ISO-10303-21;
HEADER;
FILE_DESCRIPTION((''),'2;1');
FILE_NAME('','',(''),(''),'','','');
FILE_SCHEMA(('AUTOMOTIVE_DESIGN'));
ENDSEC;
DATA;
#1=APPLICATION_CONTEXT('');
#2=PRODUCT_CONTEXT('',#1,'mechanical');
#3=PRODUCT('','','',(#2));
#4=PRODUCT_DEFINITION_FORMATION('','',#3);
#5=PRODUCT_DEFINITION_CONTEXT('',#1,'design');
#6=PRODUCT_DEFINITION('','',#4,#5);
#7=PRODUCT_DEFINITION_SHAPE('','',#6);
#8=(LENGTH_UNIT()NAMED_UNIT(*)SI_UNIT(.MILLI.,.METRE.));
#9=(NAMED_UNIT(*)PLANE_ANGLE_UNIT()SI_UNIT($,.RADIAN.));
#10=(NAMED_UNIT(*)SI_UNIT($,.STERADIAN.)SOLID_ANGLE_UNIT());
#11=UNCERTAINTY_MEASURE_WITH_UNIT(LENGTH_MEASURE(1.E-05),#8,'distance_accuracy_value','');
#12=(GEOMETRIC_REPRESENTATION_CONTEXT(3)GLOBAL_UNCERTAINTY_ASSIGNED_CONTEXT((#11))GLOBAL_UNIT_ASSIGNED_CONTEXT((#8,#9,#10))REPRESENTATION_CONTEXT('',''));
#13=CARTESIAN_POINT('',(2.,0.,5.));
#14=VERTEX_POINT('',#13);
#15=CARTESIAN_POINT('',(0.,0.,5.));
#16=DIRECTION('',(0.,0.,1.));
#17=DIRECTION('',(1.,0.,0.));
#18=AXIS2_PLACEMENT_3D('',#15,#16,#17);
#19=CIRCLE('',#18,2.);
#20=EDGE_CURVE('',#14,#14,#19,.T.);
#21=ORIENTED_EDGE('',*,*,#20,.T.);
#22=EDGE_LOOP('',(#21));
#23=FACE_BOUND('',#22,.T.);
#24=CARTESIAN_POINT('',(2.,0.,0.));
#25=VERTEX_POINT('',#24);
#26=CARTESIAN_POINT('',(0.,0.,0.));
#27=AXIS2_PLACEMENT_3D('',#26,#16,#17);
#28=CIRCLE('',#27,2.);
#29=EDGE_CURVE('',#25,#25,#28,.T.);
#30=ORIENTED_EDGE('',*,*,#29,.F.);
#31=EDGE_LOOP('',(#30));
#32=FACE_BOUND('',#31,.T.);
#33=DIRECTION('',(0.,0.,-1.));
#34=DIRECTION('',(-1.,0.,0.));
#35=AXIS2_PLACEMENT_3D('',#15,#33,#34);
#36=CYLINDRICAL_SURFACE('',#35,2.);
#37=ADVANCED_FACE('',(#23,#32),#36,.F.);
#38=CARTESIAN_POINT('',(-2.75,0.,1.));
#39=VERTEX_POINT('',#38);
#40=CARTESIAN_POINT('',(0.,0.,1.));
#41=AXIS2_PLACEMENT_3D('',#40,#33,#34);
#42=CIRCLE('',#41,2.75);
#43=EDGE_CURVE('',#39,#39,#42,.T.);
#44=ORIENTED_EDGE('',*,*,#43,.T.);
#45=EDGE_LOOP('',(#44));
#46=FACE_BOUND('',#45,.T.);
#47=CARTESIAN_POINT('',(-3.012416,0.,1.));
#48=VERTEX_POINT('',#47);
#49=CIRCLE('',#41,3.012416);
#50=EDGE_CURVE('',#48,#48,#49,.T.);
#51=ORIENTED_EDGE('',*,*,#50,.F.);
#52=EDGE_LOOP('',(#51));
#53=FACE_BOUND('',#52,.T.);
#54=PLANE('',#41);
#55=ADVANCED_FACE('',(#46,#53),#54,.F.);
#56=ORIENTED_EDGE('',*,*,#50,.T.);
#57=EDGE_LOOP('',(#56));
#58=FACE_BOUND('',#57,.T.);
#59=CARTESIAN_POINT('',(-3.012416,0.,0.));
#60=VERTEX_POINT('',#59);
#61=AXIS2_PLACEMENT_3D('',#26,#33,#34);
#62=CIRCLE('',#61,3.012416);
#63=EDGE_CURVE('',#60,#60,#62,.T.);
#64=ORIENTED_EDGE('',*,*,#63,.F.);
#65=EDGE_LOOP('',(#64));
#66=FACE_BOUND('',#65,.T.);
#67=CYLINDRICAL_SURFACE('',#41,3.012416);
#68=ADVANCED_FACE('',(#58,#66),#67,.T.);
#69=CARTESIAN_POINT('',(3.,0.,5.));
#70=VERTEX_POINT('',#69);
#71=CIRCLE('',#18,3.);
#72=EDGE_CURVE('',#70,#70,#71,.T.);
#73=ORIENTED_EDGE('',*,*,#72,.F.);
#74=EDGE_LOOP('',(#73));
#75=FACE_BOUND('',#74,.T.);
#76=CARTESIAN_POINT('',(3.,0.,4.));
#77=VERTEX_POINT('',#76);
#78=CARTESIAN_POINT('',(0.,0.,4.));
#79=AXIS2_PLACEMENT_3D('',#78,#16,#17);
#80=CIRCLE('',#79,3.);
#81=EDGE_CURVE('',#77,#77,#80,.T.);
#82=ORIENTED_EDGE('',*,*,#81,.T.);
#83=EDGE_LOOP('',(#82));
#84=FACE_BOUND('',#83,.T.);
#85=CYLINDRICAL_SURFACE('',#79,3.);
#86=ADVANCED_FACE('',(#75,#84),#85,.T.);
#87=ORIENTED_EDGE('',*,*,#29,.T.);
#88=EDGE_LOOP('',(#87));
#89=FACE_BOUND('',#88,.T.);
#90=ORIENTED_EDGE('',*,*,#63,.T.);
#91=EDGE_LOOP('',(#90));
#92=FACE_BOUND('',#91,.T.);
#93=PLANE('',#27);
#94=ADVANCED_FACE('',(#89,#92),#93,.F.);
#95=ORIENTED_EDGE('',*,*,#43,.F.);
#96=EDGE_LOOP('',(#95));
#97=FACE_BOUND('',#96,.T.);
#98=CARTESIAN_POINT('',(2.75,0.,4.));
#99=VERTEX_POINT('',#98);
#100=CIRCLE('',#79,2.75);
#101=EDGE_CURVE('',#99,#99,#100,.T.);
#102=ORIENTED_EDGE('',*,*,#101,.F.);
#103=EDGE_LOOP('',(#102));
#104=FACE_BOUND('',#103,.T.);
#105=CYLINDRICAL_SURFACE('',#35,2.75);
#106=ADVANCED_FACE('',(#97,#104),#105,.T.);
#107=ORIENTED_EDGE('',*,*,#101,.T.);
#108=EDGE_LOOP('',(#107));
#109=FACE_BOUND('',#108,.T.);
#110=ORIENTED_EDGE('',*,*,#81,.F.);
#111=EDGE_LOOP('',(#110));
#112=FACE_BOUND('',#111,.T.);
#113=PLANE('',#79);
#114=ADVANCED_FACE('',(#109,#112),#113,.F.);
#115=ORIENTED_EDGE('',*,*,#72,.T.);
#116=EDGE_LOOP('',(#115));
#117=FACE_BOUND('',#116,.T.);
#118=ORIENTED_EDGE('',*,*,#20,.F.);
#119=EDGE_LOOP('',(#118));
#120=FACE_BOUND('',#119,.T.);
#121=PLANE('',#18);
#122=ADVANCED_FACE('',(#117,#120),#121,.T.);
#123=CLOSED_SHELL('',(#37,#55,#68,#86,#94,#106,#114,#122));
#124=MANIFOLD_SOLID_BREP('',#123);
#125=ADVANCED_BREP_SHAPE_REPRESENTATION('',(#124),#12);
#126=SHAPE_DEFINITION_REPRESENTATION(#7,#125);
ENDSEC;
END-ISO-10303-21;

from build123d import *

# Parameters (mm, degrees)
SKETCH_1_R      = 2.75
SKETCH_1_R_2    = 2
EXTRUDE_1_DEPTH = 5
EXTRUDE_START   = -1
SKETCH_2_R      = 3
SKETCH_2_R_2    = 2
EXTRUDE_2_DEPTH = 1
SKETCH_3_R      = 3.012416382
SKETCH_3_R_2    = 2
EXTRUDE_3_DEPTH = 1


with BuildPart() as part:
    # 草图1 → 凸台-拉伸1 (new body)
    with BuildSketch(Plane.XY):
        Circle(SKETCH_1_R)
        Circle(SKETCH_1_R_2, mode=Mode.SUBTRACT)
    extrude(amount=EXTRUDE_1_DEPTH)

    # 草图2 → 凸台-拉伸2 (add)
    with BuildSketch(Plane.XY.offset(5).offset(EXTRUDE_START)):
        Circle(SKETCH_2_R)
        Circle(SKETCH_2_R_2, mode=Mode.SUBTRACT)
    extrude(amount=EXTRUDE_2_DEPTH)

    # 草图3 → 凸台-拉伸3 (add)
    with BuildSketch(Plane(origin=(0, 0, 0), x_dir=(-1, 0, 0), z_dir=(0, 0, -1))):
        Circle(SKETCH_3_R)
        with Locations(Location((0, 0, 0), (0, 0, 180))):
            Circle(SKETCH_3_R_2, mode=Mode.SUBTRACT)
    extrude(amount=-EXTRUDE_3_DEPTH)


solid = part.part
